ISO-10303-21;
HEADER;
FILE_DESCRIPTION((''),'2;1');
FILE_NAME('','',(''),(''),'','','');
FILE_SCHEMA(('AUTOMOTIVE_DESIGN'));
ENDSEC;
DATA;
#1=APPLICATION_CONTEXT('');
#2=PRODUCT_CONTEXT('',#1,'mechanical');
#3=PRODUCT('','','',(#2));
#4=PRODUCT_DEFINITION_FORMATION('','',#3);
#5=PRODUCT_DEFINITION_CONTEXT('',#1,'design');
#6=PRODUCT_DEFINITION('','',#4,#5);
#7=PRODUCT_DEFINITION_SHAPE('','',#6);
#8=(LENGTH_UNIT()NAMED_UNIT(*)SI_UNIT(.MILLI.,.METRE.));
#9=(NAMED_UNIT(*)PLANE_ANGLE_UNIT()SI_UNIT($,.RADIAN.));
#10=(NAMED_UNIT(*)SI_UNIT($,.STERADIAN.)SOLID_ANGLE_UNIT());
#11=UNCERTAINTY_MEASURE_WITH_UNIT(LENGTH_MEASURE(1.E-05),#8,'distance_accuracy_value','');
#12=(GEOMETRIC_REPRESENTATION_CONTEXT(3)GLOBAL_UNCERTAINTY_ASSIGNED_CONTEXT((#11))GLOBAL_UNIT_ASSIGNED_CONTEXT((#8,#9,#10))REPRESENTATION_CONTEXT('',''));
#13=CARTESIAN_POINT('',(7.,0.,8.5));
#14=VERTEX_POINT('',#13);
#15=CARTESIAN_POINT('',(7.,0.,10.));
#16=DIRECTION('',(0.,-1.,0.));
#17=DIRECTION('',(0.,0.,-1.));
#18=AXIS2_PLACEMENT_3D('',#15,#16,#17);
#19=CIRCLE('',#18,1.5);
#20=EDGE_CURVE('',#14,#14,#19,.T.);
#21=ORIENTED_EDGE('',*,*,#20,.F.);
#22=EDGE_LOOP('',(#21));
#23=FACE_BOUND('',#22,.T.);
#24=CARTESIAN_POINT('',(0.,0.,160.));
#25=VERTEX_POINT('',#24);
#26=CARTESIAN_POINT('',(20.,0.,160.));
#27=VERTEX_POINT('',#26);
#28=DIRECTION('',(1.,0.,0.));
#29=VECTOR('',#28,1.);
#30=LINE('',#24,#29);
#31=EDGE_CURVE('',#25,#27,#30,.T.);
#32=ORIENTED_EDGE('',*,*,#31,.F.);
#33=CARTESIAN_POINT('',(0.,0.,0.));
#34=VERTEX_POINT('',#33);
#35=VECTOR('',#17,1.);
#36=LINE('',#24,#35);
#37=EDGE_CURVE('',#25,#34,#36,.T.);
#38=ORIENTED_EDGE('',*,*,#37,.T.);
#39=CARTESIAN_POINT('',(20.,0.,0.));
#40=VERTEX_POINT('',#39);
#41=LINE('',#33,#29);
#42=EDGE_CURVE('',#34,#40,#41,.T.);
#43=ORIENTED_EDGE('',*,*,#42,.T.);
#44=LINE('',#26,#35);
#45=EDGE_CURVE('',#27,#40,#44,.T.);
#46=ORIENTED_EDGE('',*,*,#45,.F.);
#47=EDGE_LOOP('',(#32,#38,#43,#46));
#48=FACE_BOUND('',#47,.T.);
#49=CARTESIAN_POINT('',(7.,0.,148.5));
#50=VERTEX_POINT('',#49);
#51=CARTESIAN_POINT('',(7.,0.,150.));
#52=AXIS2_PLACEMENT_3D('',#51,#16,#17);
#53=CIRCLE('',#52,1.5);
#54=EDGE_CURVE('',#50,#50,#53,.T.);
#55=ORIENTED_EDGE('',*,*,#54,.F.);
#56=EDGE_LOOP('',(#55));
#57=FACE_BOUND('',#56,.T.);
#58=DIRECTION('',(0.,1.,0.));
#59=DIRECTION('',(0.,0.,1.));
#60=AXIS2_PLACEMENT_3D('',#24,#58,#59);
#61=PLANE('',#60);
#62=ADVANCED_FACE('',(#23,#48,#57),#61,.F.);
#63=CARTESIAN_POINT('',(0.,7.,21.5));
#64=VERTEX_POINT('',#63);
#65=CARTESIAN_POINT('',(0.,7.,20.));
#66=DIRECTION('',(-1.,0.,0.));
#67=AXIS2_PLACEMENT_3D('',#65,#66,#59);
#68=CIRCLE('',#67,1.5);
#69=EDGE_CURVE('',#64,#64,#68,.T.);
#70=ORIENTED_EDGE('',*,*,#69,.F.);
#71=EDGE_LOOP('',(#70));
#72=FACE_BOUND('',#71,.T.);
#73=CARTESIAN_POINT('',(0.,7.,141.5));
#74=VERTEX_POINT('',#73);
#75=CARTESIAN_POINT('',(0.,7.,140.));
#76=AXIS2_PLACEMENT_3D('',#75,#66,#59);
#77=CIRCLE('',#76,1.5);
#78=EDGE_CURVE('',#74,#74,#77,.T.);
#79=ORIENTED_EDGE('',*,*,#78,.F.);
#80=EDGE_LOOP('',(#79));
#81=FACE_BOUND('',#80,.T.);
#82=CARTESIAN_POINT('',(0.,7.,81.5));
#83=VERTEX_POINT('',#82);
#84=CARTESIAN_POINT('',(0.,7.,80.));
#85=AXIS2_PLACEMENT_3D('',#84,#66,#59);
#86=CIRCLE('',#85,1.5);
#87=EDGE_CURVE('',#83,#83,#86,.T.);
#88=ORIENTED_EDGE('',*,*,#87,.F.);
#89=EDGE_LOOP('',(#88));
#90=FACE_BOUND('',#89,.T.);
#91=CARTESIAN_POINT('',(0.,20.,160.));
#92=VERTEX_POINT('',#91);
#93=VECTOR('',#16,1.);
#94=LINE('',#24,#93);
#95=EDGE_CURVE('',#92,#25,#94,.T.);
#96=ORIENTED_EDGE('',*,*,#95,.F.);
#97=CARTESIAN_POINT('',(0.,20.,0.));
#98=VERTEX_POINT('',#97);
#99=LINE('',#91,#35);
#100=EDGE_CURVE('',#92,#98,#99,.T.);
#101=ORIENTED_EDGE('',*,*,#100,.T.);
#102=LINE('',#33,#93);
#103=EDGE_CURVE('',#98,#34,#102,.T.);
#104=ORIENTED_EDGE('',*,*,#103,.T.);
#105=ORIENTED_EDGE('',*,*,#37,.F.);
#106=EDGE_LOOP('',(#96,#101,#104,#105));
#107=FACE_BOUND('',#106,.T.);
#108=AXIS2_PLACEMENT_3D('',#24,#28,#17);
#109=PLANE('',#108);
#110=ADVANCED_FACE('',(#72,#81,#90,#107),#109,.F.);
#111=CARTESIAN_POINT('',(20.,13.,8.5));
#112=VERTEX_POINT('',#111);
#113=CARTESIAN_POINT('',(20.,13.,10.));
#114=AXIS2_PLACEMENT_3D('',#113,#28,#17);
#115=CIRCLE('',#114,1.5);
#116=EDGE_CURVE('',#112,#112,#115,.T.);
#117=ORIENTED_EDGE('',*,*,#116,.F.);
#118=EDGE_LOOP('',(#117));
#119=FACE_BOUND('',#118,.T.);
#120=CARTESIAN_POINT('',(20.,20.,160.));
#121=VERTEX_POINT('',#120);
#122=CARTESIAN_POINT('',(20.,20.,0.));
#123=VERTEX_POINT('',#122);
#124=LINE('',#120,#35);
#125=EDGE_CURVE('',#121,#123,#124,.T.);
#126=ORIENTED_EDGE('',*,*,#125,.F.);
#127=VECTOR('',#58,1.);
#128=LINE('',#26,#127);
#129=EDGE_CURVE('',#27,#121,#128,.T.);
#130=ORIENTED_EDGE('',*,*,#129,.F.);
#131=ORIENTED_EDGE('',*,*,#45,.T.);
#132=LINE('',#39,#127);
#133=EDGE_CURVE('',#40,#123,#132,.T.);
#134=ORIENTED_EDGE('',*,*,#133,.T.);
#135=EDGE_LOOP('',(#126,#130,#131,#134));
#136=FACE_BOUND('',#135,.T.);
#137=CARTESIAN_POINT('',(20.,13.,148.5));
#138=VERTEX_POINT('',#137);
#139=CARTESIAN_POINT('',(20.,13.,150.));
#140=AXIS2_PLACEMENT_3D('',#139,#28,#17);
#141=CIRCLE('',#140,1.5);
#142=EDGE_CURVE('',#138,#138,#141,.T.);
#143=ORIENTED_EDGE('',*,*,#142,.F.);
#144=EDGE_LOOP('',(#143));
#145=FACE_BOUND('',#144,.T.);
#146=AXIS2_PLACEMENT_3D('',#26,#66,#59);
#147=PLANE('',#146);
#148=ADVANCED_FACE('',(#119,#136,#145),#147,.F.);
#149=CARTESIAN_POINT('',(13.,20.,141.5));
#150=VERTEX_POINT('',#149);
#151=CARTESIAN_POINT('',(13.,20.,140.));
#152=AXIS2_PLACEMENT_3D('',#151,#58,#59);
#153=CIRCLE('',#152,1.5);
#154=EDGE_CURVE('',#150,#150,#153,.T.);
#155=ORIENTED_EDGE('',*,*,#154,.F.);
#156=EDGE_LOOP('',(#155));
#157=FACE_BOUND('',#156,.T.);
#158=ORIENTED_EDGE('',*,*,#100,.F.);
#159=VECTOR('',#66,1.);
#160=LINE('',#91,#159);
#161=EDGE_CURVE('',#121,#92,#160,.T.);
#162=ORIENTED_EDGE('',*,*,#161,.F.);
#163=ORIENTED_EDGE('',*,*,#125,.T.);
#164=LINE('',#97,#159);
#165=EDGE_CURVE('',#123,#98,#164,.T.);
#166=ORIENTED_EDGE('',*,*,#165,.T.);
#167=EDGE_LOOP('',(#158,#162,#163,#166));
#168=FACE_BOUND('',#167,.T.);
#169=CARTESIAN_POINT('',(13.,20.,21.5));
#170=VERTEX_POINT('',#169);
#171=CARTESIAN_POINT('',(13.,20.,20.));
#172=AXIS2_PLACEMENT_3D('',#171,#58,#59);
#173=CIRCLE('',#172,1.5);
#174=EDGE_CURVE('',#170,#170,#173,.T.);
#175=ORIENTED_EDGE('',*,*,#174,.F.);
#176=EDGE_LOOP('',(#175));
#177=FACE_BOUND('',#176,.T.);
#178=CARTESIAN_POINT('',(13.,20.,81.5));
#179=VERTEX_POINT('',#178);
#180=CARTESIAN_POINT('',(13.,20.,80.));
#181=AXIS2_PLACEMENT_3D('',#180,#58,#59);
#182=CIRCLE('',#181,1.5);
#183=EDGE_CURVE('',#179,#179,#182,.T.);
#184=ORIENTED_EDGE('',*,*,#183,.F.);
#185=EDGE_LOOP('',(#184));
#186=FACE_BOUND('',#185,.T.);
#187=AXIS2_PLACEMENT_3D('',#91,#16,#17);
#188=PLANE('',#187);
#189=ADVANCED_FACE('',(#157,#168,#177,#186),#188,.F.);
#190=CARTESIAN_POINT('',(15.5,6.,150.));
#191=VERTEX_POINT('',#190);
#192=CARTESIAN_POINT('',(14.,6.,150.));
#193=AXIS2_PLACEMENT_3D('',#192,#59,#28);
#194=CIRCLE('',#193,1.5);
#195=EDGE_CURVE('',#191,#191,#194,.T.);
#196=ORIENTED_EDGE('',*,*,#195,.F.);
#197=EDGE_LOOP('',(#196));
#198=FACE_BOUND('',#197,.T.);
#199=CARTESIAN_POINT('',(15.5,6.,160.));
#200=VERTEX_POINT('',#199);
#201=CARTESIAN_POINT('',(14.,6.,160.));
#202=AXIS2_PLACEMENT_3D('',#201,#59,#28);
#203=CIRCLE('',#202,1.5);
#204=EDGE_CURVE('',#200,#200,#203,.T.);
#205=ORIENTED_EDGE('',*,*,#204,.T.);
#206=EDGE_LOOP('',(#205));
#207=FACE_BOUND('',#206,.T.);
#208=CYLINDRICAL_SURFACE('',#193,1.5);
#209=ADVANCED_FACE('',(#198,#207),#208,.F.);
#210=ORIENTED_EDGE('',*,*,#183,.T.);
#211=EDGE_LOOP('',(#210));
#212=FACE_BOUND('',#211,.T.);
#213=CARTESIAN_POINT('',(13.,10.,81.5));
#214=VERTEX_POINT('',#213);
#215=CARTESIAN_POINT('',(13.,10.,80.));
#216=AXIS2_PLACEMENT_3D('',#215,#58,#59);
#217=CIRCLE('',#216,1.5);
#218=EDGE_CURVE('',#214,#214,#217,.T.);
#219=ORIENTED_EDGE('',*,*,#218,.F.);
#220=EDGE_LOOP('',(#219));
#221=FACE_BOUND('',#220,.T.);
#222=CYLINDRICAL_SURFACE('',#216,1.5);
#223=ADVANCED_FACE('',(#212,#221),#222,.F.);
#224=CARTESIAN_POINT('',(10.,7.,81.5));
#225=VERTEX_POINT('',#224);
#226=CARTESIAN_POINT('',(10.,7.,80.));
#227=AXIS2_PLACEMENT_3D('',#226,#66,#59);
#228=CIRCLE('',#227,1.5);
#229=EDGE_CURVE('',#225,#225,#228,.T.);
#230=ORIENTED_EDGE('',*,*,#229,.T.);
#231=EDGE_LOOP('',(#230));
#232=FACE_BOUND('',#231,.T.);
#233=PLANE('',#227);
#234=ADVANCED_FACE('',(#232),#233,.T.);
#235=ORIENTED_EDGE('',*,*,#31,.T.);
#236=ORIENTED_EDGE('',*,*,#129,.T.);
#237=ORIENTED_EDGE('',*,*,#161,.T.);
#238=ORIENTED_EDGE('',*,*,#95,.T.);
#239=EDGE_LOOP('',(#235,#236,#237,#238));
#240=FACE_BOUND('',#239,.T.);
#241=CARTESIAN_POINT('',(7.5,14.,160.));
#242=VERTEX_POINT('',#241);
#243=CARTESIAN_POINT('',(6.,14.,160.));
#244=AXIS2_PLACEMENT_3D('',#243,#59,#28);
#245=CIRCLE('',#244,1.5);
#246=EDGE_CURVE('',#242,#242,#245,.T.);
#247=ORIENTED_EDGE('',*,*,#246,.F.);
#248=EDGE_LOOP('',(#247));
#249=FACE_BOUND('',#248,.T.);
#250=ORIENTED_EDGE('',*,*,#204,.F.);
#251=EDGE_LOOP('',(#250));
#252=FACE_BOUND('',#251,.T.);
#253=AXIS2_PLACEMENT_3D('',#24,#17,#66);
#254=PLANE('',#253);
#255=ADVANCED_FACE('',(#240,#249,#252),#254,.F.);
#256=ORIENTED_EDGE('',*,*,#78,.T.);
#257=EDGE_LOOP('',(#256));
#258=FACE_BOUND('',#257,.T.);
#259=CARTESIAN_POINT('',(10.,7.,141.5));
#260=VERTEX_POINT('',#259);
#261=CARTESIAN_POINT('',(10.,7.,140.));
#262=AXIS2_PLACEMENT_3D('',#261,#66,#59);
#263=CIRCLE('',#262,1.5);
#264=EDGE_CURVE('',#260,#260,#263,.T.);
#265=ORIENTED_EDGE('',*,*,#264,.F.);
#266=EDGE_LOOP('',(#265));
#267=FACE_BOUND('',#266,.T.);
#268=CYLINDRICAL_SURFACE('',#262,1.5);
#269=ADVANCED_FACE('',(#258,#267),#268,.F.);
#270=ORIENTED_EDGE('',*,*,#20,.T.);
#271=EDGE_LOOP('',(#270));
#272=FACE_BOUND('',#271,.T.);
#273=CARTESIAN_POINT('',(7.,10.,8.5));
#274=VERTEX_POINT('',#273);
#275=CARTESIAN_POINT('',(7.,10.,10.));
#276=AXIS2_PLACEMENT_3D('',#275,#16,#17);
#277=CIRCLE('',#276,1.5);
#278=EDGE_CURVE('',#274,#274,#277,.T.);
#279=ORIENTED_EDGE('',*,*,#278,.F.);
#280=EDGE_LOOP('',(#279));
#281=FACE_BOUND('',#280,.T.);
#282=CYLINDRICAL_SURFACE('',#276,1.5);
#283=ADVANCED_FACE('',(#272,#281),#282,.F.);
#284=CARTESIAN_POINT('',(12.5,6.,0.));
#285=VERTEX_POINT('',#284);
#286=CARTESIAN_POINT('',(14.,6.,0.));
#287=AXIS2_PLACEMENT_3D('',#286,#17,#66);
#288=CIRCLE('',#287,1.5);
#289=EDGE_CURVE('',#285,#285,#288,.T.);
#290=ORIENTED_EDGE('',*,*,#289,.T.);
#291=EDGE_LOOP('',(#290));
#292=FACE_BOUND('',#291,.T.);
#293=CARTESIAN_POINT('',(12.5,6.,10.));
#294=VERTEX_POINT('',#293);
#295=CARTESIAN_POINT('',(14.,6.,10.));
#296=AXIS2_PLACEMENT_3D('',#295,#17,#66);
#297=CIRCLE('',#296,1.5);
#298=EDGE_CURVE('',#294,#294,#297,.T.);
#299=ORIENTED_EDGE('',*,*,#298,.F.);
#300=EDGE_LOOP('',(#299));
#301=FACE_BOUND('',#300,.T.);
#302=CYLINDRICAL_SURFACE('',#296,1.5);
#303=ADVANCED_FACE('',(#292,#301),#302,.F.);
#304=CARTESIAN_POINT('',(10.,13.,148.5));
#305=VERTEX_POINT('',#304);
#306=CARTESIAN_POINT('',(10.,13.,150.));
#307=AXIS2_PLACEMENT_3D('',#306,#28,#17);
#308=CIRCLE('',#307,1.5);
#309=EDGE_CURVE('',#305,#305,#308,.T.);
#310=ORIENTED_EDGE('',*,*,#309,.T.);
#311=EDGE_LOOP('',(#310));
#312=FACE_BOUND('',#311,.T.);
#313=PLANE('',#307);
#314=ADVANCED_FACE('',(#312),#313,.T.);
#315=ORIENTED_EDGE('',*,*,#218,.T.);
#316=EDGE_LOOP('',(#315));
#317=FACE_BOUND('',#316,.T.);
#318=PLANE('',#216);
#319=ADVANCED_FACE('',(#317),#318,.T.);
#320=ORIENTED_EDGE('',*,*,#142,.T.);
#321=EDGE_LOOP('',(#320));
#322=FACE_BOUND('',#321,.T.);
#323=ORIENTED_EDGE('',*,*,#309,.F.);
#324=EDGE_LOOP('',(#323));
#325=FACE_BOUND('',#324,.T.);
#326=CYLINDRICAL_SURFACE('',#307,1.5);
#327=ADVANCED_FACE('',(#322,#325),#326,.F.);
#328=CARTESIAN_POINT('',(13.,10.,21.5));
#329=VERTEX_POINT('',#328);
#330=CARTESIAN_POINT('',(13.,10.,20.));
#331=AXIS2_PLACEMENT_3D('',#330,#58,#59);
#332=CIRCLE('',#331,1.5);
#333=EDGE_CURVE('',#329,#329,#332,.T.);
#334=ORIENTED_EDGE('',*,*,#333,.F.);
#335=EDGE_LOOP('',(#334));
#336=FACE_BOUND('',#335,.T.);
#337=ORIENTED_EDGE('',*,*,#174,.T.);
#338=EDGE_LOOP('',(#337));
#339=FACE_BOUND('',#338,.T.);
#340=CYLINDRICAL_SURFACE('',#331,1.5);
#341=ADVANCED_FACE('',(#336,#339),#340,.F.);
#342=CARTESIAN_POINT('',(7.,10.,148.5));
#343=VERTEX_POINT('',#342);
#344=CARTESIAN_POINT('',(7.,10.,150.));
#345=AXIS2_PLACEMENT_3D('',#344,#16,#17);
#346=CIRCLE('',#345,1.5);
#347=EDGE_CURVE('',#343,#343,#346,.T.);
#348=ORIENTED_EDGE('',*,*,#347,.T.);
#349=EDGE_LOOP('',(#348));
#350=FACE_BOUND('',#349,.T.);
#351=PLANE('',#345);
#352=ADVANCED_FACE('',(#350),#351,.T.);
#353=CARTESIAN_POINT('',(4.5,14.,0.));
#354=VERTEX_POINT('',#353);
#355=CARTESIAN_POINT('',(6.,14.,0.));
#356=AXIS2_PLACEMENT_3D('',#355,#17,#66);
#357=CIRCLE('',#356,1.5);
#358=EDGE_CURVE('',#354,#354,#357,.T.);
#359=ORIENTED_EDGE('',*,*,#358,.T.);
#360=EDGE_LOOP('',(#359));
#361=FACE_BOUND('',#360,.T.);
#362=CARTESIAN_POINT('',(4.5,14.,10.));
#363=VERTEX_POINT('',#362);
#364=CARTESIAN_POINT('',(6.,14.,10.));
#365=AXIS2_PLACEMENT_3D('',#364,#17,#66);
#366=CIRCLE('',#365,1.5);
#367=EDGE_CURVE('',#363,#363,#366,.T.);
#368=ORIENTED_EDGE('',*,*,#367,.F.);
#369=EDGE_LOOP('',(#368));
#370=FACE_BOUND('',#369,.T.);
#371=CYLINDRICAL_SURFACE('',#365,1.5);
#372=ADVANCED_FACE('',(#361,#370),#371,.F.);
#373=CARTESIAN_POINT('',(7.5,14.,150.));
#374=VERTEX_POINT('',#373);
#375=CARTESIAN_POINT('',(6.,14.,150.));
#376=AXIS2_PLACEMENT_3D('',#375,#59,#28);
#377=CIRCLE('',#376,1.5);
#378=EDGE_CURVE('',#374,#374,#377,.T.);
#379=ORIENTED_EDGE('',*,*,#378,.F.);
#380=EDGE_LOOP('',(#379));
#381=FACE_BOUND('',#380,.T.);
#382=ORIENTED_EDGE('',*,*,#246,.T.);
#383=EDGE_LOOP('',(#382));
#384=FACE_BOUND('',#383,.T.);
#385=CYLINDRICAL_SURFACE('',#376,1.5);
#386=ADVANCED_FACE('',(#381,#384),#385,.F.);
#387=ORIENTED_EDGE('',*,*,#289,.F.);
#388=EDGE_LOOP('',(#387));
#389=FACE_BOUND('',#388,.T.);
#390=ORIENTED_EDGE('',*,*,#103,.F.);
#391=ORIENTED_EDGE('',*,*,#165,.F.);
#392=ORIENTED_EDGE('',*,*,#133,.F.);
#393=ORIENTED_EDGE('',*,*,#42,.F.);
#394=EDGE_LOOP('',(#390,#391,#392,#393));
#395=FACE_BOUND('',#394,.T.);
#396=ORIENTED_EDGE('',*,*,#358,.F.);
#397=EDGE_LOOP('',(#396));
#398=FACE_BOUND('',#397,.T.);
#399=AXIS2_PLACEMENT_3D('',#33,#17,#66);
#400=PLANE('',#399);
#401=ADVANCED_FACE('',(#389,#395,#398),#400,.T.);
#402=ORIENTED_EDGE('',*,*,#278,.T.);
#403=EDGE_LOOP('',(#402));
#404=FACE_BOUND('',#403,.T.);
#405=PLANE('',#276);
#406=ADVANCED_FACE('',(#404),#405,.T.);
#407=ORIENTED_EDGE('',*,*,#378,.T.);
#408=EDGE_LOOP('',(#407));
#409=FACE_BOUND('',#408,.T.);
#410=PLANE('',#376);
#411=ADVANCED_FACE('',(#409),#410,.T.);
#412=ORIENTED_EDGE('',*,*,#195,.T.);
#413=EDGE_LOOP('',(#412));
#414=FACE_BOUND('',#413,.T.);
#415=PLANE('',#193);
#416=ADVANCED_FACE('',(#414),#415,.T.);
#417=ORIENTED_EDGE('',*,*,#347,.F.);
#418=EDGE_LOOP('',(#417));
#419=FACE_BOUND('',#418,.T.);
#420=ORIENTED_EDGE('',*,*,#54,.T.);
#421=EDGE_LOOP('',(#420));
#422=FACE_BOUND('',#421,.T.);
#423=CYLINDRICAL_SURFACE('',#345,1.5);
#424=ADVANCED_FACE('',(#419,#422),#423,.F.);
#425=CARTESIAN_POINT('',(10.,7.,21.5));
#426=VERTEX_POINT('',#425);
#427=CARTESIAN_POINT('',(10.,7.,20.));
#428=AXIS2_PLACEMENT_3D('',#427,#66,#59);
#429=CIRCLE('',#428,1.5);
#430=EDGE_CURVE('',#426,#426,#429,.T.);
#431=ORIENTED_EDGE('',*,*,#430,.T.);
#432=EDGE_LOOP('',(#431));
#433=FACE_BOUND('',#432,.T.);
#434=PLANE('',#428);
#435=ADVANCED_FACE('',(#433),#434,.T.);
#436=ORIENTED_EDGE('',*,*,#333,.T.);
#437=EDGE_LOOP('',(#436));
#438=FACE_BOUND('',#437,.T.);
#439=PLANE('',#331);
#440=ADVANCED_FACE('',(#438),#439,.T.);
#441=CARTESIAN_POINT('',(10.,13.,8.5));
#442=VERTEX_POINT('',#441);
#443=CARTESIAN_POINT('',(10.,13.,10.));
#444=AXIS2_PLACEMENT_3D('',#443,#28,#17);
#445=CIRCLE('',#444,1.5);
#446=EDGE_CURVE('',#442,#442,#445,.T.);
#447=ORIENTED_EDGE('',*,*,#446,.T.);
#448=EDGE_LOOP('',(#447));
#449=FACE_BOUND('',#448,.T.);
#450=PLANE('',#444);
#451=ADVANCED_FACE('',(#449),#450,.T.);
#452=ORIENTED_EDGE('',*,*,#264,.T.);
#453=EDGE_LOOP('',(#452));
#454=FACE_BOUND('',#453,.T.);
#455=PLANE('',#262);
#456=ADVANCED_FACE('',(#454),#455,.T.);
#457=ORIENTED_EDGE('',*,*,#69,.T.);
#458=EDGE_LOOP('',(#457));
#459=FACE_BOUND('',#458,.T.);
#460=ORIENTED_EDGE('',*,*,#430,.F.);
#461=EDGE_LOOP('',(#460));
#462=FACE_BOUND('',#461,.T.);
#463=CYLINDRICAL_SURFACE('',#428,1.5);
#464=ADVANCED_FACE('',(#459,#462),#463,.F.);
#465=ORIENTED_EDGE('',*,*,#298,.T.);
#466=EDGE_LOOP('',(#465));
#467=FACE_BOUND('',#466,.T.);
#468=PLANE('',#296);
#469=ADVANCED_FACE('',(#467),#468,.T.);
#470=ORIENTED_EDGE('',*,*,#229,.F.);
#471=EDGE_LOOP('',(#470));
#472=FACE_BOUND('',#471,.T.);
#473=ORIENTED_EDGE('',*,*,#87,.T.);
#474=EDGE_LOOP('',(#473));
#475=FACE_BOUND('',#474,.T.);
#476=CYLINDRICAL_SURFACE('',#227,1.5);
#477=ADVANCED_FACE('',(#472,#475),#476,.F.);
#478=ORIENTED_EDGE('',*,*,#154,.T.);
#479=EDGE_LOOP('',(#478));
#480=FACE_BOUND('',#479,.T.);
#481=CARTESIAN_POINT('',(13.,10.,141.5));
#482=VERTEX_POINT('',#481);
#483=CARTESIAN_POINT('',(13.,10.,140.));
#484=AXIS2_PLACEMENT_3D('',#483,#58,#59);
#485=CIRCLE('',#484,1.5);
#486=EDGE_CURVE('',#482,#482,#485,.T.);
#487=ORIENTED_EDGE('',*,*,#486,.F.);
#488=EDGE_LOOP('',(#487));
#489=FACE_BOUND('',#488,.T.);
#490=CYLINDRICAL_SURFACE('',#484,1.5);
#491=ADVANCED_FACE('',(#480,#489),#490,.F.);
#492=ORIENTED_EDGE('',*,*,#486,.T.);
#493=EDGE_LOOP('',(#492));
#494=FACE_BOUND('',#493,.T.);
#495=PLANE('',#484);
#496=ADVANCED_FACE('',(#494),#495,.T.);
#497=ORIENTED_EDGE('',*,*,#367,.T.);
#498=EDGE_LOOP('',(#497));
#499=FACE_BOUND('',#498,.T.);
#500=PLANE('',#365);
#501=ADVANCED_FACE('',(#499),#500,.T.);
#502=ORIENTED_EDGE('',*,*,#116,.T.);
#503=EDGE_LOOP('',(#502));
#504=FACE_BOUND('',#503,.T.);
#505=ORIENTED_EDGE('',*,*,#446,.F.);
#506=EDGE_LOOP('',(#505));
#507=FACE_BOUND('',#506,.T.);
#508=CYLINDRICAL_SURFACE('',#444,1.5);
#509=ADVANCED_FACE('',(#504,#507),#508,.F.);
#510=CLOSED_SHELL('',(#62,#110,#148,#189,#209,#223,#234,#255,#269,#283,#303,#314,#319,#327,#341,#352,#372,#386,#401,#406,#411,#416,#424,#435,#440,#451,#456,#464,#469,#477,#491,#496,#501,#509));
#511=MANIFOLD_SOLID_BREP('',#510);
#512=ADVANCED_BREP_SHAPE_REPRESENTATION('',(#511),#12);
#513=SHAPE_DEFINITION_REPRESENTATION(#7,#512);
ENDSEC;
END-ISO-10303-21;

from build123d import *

# Parameters (mm, degrees)
IZIM1_W                     = 20
IZIM1_H                     = 20
Y_KSEKLIK_EKSTR_ZYON1_DEPTH = 160
IZIM13_R                    = 1.5
KES_EKSTR_ZYON1_DEPTH       = 10
KES_EKSTR_ZYON2_START       = -10
IZIM15_R                    = 1.5
KES_EKSTR_ZYON2_DEPTH       = 10
IZIM18_R                    = 1.5
KES_EKSTR_ZYON3_DEPTH       = 10
IZIM20_R                    = 1.5
KES_EKSTR_ZYON4_DEPTH       = 10
SKETCH1_R                   = 1.5
CUT_EXTRUDE1_DEPTH          = 10
SKETCH2_R                   = 1.5
CUT_EXTRUDE2_DEPTH          = 10


with BuildPart() as part:
    # Çizim1 → Yükseklik-Ekstrüzyon1 (new body)
    with BuildSketch(Plane.XY):
        with Locations((10, 10)):
            Rectangle(IZIM1_W, IZIM1_H)
    extrude(amount=Y_KSEKLIK_EKSTR_ZYON1_DEPTH)

    # Çizim13 → Kes-Ekstrüzyon1 (cut)
    with BuildSketch(Plane.XY.offset(160)):
        with Locations((14, 6)):
            Circle(IZIM13_R)
        with Locations((6, 14)):
            Circle(IZIM13_R)
    extrude(amount=-KES_EKSTR_ZYON1_DEPTH, mode=Mode.SUBTRACT)

    # Çizim15 → Kes-Ekstrüzyon2 (cut)
    with BuildSketch(Plane(origin=(0, 0, 0), x_dir=(-1, 0, 0), z_dir=(0, 0, -1)).offset(KES_EKSTR_ZYON2_START)):
        with Locations(Location((-14, 6, 0), (0, 0, 180))):
            Circle(IZIM15_R)
        with Locations(Location((-6, 14, 0), (0, 0, 180))):
            Circle(IZIM15_R)
    extrude(amount=KES_EKSTR_ZYON2_DEPTH, mode=Mode.SUBTRACT)

    # Çizim18 → Kes-Ekstrüzyon3 (cut)
    with BuildSketch(Plane(origin=(20, 0, 0), x_dir=(0, 0, -1), z_dir=(1, 0, 0))):
        with Locations((-10, 13)):
            Circle(IZIM18_R)
        with Locations((-150, 13)):
            Circle(IZIM18_R)
    extrude(amount=-KES_EKSTR_ZYON3_DEPTH, mode=Mode.SUBTRACT)

    # Çizim20 → Kes-Ekstrüzyon4 (cut)
    with BuildSketch(Plane.XZ):
        with Locations(Location((7, 10, 0), (0, 0, 270))):
            Circle(IZIM20_R)
        with Locations(Location((7, 150, 0), (0, 0, 270))):
            Circle(IZIM20_R)
    extrude(amount=-KES_EKSTR_ZYON4_DEPTH, mode=Mode.SUBTRACT)

    # Sketch1 → Cut-Extrude1 (cut)
    with BuildSketch(Plane(origin=(0, 20, 0), x_dir=(1, 0, 0), z_dir=(0, 1, 0))):
        with Locations(Location((13, -20, 0), (0, 0, 270))):
            Circle(SKETCH1_R)
        with Locations(Location((13, -80, 0), (0, 0, 270))):
            Circle(SKETCH1_R)
        with Locations(Location((13, -140, 0), (0, 0, 270))):
            Circle(SKETCH1_R)
    extrude(amount=-CUT_EXTRUDE1_DEPTH, mode=Mode.SUBTRACT)

    # Sketch2 → Cut-Extrude2 (cut)
    with BuildSketch(Plane.ZY):
        with Locations((20, 7)):
            Circle(SKETCH2_R)
        with Locations((80, 7)):
            Circle(SKETCH2_R)
        with Locations((140, 7)):
            Circle(SKETCH2_R)
    extrude(amount=-CUT_EXTRUDE2_DEPTH, mode=Mode.SUBTRACT)


solid = part.part
